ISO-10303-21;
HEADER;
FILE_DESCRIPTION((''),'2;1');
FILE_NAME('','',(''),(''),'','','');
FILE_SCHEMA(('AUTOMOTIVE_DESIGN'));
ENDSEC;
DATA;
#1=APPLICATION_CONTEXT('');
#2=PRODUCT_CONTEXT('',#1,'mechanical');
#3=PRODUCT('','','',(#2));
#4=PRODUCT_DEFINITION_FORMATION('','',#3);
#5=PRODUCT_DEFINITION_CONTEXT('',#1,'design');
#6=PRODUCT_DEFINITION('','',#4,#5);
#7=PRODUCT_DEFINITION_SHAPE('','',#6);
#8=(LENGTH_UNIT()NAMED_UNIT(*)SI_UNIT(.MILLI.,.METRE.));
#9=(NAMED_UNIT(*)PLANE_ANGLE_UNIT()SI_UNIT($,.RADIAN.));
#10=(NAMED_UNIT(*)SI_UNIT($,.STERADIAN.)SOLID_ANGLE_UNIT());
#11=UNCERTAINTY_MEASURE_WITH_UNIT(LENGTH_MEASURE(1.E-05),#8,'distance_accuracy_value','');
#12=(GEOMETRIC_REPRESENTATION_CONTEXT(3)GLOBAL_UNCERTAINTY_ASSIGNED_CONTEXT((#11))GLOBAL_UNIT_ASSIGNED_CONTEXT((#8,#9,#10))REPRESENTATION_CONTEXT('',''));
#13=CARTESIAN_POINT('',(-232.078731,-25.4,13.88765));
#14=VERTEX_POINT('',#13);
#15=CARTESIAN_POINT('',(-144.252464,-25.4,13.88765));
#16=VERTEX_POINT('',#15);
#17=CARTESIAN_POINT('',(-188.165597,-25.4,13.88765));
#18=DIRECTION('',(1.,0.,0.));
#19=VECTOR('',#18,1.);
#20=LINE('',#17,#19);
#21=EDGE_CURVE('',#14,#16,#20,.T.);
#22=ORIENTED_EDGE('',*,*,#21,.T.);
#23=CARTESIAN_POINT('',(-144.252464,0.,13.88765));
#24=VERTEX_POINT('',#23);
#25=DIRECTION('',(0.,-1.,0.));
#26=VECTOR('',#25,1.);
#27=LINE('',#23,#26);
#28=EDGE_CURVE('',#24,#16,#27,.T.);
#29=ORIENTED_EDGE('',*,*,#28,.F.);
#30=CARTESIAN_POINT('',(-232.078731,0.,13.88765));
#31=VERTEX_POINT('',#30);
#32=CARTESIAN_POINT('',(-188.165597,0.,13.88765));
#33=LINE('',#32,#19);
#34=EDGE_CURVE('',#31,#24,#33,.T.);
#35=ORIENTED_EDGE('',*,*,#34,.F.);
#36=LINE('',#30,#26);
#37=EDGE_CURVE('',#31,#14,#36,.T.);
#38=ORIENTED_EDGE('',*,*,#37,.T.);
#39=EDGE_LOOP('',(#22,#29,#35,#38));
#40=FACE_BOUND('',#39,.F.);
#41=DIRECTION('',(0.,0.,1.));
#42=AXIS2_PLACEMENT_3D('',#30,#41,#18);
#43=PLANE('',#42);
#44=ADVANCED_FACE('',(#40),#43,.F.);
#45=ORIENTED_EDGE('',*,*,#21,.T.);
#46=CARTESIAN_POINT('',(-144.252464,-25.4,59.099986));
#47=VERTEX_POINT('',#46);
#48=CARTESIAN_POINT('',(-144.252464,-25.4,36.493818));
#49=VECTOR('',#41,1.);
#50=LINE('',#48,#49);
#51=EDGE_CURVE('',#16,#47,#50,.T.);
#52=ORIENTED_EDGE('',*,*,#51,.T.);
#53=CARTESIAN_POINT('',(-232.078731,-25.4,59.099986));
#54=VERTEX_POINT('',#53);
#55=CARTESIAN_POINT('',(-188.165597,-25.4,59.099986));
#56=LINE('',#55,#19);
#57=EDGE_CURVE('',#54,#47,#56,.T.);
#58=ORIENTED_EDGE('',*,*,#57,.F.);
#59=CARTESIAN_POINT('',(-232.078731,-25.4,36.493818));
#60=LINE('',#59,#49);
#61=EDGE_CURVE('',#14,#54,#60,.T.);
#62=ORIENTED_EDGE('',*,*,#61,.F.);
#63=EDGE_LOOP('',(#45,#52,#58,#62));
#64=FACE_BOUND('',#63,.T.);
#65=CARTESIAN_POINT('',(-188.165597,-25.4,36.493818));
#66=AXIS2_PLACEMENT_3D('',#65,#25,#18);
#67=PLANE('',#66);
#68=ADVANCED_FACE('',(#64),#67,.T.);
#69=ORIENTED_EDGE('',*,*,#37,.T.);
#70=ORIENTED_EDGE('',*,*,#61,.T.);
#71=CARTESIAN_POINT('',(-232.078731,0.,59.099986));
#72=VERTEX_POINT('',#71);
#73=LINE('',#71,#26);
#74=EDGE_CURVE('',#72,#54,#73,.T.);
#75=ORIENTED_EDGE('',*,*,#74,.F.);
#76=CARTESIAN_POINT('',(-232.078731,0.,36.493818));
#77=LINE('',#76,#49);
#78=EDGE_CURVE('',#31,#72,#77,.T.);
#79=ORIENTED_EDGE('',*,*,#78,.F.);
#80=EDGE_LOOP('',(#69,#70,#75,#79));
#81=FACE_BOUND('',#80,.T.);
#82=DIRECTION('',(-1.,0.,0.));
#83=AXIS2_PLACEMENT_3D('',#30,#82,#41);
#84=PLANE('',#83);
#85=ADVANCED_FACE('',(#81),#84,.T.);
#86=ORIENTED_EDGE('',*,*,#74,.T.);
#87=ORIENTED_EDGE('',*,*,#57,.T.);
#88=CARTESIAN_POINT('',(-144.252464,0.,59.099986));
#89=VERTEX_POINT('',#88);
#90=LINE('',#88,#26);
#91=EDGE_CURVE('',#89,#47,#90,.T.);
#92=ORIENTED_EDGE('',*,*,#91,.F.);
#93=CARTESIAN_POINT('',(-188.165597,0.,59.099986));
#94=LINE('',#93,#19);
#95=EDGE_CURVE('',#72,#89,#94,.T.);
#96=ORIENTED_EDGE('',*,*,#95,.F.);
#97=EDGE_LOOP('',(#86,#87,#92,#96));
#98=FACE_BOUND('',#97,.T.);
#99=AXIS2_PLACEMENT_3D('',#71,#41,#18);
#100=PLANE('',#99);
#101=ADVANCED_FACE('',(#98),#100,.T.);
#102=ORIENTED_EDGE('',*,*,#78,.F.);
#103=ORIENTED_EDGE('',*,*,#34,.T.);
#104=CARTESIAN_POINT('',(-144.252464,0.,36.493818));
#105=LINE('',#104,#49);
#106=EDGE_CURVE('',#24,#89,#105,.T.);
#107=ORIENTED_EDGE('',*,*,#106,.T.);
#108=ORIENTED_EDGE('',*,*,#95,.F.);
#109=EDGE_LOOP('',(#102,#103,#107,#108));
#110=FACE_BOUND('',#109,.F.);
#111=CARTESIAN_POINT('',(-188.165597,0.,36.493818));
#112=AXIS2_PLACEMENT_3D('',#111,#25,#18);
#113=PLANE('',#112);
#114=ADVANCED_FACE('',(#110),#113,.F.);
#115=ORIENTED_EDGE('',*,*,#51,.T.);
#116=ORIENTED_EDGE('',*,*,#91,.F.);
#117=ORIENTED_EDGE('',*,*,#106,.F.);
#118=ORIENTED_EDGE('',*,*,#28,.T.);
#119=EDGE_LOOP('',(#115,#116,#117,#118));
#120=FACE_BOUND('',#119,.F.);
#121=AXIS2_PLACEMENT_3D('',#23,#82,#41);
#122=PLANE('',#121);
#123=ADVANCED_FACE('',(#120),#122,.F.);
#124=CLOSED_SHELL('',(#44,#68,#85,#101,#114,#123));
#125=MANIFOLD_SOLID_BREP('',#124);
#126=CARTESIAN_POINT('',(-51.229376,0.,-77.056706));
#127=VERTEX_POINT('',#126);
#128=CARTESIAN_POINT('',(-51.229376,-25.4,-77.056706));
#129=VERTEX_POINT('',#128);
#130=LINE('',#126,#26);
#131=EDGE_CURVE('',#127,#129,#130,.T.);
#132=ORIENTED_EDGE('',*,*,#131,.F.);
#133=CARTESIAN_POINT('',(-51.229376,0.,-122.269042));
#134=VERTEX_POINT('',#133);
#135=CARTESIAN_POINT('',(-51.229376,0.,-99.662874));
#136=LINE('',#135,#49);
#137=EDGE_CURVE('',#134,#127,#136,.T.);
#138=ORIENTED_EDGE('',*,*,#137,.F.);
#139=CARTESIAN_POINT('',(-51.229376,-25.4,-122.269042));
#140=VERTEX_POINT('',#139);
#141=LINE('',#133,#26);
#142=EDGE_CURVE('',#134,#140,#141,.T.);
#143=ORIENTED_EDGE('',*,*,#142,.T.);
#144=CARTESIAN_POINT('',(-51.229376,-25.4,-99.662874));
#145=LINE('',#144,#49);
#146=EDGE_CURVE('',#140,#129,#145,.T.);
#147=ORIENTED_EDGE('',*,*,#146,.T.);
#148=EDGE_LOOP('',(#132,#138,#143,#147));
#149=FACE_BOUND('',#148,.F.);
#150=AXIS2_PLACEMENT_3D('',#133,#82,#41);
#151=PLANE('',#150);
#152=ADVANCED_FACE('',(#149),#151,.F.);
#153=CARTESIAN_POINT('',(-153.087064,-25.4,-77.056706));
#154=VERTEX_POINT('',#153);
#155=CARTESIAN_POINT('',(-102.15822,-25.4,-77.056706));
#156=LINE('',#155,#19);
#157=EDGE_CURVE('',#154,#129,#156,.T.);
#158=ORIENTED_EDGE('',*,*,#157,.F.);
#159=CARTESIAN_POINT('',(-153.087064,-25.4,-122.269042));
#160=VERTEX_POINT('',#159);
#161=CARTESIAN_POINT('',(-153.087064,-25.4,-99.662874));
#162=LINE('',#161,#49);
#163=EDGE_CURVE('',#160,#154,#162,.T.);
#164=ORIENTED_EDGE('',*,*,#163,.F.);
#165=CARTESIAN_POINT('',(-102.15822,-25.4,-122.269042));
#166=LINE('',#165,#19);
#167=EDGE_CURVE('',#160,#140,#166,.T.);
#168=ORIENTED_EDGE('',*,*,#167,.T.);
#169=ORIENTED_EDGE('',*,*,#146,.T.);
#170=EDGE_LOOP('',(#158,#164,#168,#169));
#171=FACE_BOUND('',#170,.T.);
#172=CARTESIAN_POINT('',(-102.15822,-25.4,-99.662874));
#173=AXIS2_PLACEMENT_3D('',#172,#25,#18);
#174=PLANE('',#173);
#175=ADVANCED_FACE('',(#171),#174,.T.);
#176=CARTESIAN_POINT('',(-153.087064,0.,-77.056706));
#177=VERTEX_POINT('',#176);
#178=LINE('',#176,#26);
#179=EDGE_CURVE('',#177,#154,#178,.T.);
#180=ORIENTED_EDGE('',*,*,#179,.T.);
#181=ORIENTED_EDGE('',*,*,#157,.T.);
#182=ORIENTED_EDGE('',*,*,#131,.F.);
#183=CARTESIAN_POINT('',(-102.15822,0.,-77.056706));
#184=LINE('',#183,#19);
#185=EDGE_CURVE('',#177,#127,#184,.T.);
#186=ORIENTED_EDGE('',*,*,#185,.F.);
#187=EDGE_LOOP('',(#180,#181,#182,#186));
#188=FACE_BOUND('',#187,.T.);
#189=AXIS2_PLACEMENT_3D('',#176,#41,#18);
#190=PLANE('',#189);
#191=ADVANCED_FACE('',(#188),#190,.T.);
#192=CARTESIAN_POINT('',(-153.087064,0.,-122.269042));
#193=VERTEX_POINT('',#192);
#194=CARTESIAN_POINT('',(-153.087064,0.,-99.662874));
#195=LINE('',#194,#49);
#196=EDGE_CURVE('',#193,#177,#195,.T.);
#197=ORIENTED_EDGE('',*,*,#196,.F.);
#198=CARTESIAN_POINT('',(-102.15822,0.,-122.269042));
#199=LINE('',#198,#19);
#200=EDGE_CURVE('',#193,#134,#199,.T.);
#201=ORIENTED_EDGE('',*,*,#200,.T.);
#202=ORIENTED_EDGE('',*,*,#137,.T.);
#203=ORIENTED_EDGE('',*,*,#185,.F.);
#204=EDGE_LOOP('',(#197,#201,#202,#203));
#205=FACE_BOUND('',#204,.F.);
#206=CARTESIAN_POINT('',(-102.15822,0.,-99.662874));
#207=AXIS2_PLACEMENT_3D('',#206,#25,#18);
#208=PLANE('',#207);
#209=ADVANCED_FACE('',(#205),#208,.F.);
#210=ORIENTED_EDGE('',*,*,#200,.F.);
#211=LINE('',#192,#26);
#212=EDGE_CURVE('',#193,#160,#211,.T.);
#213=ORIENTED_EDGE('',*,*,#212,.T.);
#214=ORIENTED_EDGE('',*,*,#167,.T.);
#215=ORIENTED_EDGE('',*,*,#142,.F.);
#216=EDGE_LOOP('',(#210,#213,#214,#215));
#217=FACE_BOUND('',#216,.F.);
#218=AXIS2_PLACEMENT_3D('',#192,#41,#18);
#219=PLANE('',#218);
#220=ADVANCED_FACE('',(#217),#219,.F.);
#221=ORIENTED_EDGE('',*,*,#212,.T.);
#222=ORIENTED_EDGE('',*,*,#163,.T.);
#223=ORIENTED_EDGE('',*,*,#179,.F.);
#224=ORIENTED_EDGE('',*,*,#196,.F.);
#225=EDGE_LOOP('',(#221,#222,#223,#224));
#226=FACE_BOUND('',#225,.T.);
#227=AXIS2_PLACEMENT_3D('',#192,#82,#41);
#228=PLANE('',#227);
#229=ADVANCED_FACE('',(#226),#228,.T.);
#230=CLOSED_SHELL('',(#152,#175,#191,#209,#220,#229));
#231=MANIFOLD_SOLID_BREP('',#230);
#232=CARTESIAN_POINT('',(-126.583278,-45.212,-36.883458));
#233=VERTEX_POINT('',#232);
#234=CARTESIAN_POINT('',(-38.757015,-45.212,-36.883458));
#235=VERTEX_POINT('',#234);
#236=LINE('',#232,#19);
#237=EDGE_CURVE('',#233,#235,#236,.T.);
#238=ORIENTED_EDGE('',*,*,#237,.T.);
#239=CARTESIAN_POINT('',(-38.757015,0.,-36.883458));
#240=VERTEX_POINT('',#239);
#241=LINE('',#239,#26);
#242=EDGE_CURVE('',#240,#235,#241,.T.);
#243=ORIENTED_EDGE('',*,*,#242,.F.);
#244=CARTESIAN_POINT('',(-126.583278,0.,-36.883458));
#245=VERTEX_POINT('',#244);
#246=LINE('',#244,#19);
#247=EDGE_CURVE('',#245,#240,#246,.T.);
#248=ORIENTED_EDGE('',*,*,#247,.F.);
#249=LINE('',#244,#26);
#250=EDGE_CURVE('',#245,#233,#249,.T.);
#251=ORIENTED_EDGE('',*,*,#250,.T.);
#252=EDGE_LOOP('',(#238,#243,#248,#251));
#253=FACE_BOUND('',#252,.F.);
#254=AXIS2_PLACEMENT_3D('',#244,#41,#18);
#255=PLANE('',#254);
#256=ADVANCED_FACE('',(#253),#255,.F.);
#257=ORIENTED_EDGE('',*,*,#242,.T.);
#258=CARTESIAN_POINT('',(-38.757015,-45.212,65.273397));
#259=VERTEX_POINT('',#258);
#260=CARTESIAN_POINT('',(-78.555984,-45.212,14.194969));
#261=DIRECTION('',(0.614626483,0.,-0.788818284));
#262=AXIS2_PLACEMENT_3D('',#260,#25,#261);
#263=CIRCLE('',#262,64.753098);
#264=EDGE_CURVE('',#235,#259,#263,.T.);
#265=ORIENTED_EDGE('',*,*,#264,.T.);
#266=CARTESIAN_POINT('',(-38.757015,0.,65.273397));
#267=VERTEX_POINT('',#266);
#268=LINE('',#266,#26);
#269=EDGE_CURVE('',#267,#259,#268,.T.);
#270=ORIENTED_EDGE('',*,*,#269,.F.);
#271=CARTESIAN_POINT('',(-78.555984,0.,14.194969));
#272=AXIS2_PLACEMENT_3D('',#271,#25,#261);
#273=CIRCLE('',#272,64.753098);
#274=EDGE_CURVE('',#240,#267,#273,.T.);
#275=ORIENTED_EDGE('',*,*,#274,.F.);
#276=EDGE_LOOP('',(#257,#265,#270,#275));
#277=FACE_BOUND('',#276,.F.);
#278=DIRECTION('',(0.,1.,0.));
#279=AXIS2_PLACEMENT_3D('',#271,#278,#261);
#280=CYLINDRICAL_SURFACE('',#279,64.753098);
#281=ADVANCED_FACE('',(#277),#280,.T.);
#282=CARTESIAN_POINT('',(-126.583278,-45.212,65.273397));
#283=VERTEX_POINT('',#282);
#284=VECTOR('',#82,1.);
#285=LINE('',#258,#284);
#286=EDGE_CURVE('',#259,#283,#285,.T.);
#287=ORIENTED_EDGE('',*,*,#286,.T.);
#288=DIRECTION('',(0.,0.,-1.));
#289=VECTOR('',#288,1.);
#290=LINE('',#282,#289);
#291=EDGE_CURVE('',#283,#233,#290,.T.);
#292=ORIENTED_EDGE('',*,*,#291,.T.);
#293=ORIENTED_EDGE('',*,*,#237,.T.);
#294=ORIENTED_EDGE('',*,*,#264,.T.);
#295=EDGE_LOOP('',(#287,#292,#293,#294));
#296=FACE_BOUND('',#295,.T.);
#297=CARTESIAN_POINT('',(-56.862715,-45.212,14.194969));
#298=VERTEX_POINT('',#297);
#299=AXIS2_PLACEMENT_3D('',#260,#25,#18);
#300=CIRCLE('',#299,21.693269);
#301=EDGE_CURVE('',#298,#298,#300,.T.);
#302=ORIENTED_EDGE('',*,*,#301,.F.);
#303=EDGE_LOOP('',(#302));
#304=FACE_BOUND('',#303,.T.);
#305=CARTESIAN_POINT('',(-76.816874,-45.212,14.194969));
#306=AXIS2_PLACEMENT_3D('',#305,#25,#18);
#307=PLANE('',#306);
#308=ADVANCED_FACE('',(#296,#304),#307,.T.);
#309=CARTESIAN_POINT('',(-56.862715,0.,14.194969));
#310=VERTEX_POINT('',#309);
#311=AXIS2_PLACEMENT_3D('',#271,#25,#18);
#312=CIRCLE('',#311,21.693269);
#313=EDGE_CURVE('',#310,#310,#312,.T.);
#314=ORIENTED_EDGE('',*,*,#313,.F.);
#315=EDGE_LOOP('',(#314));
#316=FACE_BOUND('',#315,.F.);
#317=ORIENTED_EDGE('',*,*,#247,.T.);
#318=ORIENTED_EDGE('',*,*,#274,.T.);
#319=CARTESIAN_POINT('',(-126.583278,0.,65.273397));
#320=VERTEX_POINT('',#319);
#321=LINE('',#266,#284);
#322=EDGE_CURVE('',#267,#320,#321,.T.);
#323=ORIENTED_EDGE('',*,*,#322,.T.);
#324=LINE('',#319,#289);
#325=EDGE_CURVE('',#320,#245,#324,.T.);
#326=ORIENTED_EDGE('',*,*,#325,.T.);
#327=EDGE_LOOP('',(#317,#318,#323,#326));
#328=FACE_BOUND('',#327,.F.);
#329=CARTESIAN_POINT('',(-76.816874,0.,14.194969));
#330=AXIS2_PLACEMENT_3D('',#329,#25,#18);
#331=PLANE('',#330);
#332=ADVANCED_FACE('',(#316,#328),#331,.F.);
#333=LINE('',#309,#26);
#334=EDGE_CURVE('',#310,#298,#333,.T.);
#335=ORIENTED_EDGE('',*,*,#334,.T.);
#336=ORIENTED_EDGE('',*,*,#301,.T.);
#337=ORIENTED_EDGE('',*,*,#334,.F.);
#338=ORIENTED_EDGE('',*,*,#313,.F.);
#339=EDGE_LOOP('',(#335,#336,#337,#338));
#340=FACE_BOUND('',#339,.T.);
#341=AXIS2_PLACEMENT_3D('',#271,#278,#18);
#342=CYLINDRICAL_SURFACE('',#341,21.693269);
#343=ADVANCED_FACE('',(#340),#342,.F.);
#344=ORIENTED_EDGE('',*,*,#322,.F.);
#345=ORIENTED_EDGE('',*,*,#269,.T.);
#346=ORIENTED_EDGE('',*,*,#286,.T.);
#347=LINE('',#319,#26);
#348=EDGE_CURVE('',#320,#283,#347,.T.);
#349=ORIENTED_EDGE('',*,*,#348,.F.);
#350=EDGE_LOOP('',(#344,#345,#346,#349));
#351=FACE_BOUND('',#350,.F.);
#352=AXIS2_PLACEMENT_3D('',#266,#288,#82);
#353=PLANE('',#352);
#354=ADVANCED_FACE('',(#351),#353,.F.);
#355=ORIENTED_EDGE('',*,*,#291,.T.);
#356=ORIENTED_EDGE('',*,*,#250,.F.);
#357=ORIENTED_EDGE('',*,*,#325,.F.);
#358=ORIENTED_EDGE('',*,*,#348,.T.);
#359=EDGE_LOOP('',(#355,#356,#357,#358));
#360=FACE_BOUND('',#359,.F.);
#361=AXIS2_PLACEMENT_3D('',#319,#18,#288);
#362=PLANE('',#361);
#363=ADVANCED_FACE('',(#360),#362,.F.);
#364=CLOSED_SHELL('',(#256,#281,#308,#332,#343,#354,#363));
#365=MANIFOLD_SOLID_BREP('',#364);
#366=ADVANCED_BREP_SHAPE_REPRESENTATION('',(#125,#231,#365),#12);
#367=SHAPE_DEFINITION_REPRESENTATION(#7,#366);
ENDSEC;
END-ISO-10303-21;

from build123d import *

# Parameters (mm, degrees)
F2_R     = 21.693269
F3_DEPTH = 45.212
F1_W     = 87.826267
F1_H     = 45.212337
F4_DEPTH = 25.4
F0_W     = 101.857689
F0_H     = 45.212336
F5_DEPTH = 25.4


with BuildPart() as f3:
    # F2 (on Front) → F3 (new body)
    with BuildSketch(Plane.XZ):
        with BuildLine():
            Line((-126.583278, 65.273397), (-126.583278, -36.883458))
            Line((-126.583278, -36.883458), (-38.757015, -36.883458))
            ThreePointArc((-38.757015, -36.883458), (-13.802886, 14.194969), (-38.757015, 65.273397))
            Line((-38.757015, 65.273397), (-126.583278, 65.273397))
        make_face()
        with Locations((-78.555984, 14.194969)):
            Circle(F2_R, mode=Mode.SUBTRACT)
    extrude(amount=F3_DEPTH)


with BuildPart() as f4:
    # F1 (on Front) → F4 (new body)
    with BuildSketch(Plane.XZ):
        with Locations((-188.165597, 36.493818)):
            Rectangle(F1_W, F1_H)
    extrude(amount=F4_DEPTH)


with BuildPart() as f5:
    # F0 (on Front) → F5 (new body)
    with BuildSketch(Plane.XZ):
        with Locations((-102.15822, -99.662874)):
            Rectangle(F0_W, F0_H)
    extrude(amount=F5_DEPTH)


solid = Compound([f3.part, f4.part, f5.part])
